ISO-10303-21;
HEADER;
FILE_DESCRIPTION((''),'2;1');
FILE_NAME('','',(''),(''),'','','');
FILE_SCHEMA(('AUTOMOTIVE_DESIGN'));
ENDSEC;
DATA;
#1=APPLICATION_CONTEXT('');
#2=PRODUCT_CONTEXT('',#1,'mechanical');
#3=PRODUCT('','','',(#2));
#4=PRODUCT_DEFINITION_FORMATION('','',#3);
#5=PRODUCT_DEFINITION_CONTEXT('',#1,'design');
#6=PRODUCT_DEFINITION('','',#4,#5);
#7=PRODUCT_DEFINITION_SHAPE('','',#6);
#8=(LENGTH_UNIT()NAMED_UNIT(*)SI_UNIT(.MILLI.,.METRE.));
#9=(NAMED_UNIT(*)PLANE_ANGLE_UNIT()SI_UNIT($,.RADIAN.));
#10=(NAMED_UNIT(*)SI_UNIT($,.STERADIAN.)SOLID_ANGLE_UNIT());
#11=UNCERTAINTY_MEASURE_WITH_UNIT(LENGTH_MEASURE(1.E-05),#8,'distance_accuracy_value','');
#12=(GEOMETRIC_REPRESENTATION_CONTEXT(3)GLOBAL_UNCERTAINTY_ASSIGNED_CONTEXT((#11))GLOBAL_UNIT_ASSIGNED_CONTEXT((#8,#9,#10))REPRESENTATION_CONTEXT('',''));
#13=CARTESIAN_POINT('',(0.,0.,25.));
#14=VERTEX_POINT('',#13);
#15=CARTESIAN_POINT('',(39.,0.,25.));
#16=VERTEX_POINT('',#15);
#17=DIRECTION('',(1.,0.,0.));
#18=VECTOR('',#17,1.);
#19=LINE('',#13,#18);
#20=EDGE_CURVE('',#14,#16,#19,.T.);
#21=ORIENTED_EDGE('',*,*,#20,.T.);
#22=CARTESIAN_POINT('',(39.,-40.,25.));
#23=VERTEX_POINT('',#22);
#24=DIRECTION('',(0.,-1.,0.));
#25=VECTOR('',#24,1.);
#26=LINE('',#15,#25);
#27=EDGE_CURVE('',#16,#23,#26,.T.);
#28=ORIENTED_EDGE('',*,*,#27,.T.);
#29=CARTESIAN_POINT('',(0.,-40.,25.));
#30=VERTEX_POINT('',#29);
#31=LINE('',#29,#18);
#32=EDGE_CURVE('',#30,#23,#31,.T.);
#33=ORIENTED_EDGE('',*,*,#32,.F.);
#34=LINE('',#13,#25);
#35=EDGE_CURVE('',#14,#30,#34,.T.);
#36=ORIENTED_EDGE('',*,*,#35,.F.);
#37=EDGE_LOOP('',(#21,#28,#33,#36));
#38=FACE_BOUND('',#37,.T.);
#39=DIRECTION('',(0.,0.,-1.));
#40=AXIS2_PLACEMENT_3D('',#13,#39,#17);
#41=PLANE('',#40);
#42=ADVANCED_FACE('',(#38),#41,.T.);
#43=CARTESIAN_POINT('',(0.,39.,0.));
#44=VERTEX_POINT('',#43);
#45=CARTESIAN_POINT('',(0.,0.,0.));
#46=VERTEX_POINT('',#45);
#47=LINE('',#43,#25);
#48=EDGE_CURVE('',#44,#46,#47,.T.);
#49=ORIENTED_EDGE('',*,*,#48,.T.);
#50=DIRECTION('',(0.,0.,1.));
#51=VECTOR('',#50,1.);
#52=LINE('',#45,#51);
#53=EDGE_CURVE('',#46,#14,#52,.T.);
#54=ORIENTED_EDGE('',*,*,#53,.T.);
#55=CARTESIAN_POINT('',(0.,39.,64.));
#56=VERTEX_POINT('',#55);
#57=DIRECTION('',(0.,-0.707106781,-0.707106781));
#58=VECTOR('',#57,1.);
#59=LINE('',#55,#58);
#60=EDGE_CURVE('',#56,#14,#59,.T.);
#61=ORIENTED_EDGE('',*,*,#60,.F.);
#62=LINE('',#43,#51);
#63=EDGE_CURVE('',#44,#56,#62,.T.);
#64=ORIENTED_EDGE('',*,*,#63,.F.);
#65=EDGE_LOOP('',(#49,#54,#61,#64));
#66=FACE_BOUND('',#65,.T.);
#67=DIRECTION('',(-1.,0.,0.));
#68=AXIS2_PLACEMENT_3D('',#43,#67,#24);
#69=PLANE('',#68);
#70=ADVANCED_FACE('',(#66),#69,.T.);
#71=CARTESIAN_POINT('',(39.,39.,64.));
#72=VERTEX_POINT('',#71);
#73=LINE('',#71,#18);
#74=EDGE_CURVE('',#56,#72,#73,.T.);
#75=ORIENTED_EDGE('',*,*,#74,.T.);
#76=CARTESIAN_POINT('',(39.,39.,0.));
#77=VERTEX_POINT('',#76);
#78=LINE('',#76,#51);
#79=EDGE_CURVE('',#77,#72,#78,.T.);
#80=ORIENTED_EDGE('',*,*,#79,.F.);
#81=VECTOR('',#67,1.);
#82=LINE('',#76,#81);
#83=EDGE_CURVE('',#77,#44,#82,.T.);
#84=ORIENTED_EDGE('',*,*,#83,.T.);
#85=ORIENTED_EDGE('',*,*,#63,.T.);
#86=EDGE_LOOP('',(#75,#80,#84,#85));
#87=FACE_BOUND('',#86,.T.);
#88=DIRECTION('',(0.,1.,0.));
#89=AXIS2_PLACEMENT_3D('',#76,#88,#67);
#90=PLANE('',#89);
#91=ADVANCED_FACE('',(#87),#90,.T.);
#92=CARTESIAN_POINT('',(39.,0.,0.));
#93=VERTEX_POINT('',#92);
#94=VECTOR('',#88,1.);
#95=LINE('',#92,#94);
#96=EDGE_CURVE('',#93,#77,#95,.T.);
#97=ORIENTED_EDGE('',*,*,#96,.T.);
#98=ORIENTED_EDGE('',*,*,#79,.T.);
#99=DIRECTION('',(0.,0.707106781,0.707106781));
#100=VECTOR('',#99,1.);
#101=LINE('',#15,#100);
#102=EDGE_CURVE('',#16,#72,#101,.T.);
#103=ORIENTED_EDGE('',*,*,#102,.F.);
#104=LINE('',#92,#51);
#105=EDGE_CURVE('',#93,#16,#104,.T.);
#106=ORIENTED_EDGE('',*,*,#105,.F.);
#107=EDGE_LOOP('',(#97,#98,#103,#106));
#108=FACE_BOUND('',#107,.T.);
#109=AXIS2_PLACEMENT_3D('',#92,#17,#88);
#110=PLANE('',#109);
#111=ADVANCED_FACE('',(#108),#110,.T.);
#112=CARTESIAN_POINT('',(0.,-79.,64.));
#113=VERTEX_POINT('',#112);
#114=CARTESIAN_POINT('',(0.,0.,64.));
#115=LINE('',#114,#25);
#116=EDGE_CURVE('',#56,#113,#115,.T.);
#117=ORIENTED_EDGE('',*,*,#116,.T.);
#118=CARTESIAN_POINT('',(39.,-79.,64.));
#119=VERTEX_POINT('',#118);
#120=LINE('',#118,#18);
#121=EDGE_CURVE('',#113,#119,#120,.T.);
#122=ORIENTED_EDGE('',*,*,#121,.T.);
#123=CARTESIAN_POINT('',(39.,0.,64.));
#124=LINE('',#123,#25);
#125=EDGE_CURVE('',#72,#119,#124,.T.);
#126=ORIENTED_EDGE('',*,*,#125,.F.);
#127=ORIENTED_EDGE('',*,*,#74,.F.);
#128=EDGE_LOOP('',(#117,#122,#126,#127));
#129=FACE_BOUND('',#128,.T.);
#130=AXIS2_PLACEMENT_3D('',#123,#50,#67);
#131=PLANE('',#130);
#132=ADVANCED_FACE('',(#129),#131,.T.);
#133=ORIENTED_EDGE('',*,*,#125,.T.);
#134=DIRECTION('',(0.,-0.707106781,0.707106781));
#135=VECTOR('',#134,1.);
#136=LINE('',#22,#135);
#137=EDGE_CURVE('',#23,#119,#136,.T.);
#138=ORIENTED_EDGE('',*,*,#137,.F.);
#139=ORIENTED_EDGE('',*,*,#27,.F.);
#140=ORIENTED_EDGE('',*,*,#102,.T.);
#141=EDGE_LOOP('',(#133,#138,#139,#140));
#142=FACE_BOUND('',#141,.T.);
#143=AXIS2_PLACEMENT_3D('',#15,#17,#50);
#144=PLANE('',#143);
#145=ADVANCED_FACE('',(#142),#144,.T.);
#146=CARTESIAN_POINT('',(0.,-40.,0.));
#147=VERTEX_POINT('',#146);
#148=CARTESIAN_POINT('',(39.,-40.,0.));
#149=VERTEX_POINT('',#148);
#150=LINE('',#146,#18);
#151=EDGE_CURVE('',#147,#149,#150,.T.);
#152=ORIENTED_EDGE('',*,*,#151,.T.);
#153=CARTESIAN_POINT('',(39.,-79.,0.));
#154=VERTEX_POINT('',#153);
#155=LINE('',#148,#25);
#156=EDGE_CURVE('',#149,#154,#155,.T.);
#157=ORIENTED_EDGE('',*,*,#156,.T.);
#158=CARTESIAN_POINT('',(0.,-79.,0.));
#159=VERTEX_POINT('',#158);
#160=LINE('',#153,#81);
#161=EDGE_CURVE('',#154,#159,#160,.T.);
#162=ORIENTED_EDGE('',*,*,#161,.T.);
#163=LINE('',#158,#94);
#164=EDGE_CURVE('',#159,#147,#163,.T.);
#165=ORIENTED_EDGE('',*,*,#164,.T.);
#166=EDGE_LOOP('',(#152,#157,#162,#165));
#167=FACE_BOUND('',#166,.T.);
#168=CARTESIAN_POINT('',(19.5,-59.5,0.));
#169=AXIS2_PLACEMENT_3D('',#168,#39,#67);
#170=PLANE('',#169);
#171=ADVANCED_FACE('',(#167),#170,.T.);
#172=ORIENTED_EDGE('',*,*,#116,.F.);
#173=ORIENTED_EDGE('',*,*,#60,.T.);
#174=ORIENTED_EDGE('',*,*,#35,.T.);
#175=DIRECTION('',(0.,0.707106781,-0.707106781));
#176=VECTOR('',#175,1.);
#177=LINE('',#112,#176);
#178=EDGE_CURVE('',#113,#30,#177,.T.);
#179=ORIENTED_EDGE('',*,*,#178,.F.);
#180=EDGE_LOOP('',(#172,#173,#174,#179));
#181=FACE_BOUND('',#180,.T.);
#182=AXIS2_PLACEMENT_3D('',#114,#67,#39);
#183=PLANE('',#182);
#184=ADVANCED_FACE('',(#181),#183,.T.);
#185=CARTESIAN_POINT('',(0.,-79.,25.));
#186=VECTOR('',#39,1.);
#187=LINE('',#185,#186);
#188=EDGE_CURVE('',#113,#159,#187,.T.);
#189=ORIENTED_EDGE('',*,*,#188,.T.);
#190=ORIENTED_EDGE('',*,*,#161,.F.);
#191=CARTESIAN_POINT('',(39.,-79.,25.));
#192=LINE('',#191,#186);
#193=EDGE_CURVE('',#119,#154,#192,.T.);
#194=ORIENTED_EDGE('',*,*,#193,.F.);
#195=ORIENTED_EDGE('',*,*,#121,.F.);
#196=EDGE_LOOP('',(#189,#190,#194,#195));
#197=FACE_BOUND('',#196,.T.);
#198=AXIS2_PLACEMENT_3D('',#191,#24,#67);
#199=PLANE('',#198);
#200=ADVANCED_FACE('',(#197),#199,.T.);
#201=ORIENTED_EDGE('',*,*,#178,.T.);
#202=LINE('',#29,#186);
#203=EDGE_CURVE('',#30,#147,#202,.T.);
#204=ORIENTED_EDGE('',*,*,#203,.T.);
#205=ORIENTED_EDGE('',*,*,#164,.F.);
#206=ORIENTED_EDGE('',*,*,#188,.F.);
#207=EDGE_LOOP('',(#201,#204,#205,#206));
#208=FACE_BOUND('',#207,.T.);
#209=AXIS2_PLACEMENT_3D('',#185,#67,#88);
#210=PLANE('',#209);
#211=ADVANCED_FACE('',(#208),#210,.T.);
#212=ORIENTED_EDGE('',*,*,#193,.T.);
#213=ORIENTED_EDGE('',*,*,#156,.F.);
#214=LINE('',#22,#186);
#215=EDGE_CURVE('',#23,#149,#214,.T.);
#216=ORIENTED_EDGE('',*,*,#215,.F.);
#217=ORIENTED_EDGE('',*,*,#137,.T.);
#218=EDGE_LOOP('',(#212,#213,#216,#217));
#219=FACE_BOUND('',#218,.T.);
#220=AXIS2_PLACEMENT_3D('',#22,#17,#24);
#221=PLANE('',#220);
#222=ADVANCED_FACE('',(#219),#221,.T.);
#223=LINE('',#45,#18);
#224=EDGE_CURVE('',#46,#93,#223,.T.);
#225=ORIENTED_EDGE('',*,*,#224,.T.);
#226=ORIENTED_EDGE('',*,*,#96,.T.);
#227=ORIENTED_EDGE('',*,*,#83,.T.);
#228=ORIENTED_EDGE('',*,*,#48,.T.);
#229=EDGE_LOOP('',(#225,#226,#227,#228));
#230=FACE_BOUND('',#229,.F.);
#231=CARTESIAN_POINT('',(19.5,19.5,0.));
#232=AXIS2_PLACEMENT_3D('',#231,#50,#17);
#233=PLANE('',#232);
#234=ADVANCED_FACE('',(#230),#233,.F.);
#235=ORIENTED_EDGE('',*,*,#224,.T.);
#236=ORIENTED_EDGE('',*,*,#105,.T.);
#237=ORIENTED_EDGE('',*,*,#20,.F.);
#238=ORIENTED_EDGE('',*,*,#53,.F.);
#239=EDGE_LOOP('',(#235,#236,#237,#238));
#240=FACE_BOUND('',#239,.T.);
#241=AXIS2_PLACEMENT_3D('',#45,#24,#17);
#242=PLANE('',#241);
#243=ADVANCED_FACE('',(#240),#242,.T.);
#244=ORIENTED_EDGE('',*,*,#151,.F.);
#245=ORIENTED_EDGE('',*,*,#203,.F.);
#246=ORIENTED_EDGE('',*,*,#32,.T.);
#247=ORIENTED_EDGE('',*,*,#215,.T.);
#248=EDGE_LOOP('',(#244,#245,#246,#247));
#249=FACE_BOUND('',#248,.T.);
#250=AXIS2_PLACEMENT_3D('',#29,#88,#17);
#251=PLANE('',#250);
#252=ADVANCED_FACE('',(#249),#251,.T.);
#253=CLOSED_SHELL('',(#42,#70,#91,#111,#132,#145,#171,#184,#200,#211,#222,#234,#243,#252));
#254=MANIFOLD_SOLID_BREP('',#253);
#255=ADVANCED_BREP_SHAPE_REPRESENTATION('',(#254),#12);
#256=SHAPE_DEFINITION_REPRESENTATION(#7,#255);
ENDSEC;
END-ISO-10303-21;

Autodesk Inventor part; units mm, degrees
ref_plane "YZ Plane" through (0, 0, 0) normal (1, 0, 0) x (0, 1, 0)
ref_plane "XZ Plane" through (0, 0, 0) normal (0, 1, 0) x (-1, 0, 0)
ref_plane "XY Plane" through (0, 0, 0) normal (0, 0, 1) x (1, 0, 0)
sketch "Sketch1" plane through (0, 0, 0) normal (0, 0, 1) x (1, 0, 0)
  line L0 (0, 0) -> (39, 0)
  line L1 (39, 0) -> (39, 39)
  line L2 (39, 39) -> (0, 39)
  line L3 (0, 39) -> (0, 0)
  dimension "d0" = 39
  dimension "d1" = 39
sketch "Sketch2" plane through (0, 0, 0) normal (1, 0, 0) x (0, 1, 0)
  line L0 (0, 0) -> (0, 25)
  line L1 (0, 25) -> (-40, 25)
  line L2 (-40, 25) -> (-40, 0)
  dimension "d2" = 25
  dimension "d3" = 40
sweep "Sweep1" add profiles "Sketch1" path "Sketch2"
properties part number "motor support"
